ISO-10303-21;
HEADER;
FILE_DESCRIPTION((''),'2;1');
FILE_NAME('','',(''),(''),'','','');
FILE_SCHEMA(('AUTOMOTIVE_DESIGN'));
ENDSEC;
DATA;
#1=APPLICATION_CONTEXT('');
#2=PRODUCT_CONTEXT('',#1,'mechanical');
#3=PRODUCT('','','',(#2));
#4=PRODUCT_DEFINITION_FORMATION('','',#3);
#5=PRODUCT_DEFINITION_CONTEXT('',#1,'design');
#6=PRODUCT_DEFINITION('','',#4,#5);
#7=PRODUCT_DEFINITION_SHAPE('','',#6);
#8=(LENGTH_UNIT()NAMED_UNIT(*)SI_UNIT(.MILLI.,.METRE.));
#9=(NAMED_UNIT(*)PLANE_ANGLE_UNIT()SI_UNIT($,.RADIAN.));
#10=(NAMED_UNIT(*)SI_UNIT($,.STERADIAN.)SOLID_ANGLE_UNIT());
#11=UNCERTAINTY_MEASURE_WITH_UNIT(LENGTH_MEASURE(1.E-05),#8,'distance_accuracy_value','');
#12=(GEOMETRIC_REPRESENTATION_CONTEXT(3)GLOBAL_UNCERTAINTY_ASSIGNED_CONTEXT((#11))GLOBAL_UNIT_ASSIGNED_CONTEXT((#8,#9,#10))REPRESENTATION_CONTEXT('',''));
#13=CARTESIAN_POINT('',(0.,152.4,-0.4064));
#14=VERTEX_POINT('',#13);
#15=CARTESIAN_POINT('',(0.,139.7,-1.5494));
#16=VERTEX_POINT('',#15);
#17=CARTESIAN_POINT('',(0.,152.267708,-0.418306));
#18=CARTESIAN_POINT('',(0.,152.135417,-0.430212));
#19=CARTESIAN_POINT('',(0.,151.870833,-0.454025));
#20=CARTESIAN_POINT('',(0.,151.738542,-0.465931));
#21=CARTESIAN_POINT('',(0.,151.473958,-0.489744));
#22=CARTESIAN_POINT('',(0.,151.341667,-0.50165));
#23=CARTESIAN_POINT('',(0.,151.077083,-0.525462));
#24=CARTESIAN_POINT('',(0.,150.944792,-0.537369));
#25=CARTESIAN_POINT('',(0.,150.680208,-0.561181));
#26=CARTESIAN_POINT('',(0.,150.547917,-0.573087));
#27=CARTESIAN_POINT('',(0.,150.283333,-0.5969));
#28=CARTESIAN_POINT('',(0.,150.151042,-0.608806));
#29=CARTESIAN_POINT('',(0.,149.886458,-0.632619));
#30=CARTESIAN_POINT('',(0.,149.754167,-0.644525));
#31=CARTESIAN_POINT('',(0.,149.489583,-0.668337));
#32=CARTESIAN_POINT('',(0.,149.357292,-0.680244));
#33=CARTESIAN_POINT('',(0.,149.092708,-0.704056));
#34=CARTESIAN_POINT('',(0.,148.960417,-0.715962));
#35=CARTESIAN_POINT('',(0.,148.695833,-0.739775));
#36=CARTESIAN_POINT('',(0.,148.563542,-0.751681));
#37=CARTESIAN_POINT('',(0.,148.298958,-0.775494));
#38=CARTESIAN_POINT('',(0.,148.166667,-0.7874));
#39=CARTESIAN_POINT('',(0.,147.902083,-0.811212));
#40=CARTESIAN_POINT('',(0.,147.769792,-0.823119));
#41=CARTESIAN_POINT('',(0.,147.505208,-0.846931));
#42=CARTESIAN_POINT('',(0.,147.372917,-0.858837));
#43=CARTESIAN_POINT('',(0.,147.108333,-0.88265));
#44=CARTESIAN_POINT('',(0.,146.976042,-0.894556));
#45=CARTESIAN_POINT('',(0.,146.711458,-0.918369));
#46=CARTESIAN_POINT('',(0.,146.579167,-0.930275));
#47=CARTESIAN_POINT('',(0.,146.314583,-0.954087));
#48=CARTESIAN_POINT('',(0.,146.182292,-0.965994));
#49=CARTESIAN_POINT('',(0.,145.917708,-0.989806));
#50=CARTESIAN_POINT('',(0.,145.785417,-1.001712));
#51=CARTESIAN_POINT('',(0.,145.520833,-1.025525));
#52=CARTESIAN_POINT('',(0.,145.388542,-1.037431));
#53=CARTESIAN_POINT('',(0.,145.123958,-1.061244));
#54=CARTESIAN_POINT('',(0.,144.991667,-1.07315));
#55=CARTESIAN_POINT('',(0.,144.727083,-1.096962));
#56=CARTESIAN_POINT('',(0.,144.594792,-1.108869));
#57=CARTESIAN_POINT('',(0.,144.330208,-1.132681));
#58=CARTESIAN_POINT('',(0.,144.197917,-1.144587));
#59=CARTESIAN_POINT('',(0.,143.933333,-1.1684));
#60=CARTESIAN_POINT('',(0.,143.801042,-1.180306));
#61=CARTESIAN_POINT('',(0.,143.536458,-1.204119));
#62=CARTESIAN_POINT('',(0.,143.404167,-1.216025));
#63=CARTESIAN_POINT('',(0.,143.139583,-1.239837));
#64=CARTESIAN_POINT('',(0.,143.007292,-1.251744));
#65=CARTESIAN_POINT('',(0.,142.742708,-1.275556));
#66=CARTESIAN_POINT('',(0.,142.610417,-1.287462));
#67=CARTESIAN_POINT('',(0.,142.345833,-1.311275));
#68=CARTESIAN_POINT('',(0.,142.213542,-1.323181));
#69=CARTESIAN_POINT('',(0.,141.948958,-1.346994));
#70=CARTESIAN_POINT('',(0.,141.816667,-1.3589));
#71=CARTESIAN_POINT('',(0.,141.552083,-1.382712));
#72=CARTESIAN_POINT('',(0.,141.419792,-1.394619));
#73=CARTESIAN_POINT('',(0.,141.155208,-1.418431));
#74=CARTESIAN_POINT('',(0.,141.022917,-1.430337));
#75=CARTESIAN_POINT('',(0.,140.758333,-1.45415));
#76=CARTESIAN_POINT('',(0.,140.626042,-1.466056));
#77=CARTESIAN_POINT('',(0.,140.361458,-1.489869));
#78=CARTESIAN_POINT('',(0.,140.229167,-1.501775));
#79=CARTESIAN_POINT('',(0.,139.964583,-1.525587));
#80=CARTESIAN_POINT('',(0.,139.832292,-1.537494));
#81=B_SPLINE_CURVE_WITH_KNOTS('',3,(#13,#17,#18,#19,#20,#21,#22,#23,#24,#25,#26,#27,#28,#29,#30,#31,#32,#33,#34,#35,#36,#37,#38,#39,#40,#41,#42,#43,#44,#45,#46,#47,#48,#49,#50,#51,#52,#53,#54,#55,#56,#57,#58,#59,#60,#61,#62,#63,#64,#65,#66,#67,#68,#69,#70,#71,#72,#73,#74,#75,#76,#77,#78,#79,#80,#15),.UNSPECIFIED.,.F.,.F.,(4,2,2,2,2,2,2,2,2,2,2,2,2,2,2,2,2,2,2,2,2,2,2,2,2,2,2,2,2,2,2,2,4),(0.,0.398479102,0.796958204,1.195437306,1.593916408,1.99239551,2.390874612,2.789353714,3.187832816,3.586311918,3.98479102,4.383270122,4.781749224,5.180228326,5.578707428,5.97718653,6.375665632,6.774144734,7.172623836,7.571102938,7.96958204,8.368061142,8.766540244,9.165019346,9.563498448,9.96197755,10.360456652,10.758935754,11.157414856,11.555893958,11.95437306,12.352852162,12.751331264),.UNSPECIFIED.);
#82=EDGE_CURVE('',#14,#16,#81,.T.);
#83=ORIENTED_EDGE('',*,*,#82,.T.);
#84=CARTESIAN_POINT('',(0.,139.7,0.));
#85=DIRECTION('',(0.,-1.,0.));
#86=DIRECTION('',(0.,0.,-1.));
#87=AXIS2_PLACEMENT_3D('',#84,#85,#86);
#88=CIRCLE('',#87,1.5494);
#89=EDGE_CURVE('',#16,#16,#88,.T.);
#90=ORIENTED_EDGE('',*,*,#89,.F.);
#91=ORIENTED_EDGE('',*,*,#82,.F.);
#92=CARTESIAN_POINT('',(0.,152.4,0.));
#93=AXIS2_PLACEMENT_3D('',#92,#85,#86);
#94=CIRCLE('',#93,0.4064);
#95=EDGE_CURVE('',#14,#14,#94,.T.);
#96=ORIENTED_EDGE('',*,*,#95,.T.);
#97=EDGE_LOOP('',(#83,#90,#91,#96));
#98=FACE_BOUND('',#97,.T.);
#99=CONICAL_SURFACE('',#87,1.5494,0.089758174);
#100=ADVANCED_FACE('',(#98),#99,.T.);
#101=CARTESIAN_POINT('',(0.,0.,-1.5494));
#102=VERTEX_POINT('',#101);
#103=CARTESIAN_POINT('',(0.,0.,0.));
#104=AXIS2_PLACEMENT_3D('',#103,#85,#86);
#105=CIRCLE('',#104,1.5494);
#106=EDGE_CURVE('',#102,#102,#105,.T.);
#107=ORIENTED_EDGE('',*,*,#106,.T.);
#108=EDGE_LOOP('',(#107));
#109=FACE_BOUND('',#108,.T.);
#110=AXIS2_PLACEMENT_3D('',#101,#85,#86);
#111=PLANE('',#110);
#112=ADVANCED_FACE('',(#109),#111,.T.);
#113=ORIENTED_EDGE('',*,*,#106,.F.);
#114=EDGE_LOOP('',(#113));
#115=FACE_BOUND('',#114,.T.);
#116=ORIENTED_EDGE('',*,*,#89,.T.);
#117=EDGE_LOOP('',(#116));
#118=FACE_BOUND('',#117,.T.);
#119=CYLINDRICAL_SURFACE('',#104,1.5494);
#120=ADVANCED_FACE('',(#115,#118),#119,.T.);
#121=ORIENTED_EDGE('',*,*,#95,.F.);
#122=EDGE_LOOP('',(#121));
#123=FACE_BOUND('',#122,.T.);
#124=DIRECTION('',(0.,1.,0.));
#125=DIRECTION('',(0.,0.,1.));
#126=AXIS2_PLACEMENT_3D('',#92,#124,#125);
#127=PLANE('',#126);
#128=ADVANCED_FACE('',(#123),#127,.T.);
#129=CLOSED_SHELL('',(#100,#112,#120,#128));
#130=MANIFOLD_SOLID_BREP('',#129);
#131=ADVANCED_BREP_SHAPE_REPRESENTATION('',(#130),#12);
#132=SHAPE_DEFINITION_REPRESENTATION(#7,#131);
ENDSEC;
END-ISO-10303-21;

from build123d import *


with BuildPart() as part:
    # Sketch1 → Revolve1 (revolve)
    with BuildSketch(Plane(origin=(0, 0, 0), x_dir=(0, 0, -1), z_dir=(1, 0, 0))):
        Polygon((0, 0), (0, 152.4), (0.4064, 152.4), (1.5494, 139.7), (1.5494, 0), align=None)
    revolve(axis=Axis((0, 0, 0), (0, 1, 0)))


solid = part.part
